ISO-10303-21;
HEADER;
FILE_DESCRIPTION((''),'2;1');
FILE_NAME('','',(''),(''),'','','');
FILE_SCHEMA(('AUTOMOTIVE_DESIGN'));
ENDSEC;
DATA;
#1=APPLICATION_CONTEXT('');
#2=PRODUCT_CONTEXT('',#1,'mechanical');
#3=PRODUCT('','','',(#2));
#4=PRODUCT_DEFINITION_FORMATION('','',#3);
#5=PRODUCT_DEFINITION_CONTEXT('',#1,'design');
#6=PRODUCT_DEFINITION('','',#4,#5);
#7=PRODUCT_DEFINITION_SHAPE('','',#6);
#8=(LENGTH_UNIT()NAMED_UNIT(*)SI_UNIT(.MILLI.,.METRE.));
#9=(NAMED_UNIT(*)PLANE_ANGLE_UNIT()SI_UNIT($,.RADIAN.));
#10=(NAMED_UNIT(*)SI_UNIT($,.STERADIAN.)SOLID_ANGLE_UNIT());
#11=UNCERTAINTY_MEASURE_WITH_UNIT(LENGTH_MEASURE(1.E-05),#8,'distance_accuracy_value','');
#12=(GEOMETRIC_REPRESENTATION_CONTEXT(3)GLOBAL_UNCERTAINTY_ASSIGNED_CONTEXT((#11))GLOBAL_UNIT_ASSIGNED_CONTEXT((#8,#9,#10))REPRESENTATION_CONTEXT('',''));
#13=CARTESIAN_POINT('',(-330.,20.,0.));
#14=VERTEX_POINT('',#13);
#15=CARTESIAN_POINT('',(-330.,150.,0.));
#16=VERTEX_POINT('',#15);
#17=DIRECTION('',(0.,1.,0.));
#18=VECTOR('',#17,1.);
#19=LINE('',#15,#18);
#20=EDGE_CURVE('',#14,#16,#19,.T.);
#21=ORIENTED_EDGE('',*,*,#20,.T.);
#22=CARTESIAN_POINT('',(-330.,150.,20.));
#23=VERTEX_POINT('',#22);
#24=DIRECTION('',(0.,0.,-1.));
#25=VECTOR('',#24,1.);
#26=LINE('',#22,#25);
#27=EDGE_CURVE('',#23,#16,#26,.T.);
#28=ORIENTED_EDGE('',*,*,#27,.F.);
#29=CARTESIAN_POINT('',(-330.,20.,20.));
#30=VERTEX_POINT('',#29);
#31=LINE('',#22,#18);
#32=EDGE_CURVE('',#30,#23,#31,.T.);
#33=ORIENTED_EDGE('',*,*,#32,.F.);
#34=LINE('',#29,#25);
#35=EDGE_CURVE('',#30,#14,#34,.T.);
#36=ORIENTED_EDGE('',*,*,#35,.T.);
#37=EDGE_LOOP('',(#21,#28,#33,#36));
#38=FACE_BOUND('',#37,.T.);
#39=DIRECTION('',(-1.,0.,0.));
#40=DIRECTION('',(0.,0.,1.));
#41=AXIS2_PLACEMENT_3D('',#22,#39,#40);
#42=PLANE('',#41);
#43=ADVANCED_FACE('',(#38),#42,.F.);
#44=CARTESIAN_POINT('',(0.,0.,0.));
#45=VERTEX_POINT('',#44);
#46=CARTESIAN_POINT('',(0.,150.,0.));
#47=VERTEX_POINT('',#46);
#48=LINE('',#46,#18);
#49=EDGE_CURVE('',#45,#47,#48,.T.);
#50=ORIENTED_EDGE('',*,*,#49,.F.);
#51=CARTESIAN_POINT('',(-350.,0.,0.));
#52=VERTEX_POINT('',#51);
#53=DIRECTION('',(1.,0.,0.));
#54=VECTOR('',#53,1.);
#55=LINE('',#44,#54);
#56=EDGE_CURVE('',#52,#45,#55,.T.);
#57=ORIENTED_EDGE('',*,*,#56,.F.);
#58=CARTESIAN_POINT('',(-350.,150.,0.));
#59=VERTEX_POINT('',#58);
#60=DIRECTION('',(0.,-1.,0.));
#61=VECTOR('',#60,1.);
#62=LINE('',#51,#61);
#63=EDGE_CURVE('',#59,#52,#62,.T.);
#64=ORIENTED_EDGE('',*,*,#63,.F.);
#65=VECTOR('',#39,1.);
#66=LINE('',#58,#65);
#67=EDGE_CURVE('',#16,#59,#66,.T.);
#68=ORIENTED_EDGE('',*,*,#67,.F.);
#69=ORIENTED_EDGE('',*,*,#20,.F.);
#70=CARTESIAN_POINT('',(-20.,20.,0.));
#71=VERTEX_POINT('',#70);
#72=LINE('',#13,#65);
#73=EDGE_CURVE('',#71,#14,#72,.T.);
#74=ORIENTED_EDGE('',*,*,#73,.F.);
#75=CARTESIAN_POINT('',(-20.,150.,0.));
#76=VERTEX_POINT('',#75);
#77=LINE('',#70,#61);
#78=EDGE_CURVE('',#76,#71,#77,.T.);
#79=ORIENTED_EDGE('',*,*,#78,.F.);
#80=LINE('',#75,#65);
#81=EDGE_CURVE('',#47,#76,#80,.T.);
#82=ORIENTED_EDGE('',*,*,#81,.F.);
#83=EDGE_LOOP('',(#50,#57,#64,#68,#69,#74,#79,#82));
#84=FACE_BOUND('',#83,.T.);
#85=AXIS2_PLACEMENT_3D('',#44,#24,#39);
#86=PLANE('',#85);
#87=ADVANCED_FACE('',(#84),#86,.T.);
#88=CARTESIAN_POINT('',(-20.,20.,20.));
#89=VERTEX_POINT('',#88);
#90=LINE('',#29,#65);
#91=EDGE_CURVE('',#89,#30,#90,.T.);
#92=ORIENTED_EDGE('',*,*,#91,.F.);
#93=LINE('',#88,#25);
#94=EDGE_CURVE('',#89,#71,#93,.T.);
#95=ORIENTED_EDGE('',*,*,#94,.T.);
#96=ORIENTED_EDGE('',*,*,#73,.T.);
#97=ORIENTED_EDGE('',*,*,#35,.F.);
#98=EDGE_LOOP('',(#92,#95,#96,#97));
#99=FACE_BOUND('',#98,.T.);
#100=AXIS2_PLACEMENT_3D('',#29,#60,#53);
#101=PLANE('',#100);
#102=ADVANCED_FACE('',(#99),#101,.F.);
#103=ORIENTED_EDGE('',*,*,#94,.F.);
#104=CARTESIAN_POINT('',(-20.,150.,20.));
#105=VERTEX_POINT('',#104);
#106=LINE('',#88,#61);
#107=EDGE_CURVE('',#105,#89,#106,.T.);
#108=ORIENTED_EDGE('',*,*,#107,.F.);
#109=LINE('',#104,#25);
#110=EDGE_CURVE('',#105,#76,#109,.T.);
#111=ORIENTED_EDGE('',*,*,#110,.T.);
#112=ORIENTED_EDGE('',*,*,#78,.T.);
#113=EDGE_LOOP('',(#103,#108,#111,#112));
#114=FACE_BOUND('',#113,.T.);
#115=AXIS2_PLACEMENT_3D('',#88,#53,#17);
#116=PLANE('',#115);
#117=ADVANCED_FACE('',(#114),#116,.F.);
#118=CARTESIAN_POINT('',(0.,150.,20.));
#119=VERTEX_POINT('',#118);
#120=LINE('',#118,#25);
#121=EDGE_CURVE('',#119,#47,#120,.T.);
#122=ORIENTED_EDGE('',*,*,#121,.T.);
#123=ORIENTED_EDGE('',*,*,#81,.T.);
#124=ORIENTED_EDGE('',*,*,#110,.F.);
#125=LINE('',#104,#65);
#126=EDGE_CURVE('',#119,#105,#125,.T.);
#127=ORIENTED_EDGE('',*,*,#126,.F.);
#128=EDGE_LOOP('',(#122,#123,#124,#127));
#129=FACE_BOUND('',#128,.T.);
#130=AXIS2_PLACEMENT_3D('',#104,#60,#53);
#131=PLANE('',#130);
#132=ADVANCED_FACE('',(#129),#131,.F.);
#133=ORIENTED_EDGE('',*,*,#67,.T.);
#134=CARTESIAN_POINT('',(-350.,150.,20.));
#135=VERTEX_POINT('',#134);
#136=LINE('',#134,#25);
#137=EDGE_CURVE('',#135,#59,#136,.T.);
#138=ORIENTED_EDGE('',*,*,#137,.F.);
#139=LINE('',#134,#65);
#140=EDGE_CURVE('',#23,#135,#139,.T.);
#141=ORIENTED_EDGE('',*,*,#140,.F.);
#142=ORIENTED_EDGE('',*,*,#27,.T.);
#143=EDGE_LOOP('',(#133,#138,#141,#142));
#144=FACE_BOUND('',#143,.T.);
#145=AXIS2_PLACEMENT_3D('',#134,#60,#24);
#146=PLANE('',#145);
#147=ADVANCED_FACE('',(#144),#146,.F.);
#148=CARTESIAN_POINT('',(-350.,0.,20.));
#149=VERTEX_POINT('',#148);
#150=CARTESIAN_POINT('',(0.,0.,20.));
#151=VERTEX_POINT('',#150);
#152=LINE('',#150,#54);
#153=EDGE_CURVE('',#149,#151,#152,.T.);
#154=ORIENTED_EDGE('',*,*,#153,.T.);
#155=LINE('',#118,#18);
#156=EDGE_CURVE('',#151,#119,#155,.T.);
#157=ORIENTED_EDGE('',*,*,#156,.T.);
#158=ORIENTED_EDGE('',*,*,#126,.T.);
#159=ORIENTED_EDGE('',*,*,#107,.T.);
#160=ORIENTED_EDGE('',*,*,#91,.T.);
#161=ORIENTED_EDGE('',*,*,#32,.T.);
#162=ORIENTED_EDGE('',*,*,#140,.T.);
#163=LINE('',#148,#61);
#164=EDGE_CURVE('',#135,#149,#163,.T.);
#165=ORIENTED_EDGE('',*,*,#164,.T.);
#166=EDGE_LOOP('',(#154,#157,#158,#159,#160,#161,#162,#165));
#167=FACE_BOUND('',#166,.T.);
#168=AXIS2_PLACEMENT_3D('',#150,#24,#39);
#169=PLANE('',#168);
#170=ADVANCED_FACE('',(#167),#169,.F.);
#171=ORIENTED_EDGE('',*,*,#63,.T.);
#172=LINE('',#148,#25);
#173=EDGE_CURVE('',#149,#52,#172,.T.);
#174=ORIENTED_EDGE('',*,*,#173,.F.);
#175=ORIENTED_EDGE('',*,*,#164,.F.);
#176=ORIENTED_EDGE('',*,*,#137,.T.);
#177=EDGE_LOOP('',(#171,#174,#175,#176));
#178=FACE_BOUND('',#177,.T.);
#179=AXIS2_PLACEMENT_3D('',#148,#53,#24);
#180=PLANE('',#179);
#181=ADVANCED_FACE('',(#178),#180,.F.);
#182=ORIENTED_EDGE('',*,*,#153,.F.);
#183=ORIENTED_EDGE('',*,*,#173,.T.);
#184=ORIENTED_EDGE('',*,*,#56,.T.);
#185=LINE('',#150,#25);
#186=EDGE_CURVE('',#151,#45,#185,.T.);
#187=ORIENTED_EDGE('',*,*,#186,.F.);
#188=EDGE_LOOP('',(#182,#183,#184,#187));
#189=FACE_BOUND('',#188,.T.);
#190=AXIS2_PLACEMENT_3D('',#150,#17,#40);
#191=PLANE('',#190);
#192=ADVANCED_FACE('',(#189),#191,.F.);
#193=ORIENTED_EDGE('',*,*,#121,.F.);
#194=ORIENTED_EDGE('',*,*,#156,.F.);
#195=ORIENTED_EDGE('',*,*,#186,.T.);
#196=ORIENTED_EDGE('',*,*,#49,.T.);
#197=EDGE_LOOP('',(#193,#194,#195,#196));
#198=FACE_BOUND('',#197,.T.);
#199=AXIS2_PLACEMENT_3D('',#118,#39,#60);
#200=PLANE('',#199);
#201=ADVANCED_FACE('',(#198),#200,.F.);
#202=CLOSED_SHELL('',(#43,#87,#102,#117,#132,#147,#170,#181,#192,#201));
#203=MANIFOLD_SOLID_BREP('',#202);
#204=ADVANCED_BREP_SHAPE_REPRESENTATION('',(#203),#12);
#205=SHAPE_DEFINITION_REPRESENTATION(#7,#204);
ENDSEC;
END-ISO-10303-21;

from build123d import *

# Parameters (mm, degrees)
EXTRUDE_1_DEPTH = 20


with BuildPart() as part:
    # 스케치2 → 보스-돌출1 (new body)
    with BuildSketch(Plane.XY):
        Polygon((0, 0), (-350, 0), (-350, 150), (-330, 150), (-330, 20), (-20, 20), (-20, 150), (0, 150), align=None)
    extrude(amount=EXTRUDE_1_DEPTH)


solid = part.part
